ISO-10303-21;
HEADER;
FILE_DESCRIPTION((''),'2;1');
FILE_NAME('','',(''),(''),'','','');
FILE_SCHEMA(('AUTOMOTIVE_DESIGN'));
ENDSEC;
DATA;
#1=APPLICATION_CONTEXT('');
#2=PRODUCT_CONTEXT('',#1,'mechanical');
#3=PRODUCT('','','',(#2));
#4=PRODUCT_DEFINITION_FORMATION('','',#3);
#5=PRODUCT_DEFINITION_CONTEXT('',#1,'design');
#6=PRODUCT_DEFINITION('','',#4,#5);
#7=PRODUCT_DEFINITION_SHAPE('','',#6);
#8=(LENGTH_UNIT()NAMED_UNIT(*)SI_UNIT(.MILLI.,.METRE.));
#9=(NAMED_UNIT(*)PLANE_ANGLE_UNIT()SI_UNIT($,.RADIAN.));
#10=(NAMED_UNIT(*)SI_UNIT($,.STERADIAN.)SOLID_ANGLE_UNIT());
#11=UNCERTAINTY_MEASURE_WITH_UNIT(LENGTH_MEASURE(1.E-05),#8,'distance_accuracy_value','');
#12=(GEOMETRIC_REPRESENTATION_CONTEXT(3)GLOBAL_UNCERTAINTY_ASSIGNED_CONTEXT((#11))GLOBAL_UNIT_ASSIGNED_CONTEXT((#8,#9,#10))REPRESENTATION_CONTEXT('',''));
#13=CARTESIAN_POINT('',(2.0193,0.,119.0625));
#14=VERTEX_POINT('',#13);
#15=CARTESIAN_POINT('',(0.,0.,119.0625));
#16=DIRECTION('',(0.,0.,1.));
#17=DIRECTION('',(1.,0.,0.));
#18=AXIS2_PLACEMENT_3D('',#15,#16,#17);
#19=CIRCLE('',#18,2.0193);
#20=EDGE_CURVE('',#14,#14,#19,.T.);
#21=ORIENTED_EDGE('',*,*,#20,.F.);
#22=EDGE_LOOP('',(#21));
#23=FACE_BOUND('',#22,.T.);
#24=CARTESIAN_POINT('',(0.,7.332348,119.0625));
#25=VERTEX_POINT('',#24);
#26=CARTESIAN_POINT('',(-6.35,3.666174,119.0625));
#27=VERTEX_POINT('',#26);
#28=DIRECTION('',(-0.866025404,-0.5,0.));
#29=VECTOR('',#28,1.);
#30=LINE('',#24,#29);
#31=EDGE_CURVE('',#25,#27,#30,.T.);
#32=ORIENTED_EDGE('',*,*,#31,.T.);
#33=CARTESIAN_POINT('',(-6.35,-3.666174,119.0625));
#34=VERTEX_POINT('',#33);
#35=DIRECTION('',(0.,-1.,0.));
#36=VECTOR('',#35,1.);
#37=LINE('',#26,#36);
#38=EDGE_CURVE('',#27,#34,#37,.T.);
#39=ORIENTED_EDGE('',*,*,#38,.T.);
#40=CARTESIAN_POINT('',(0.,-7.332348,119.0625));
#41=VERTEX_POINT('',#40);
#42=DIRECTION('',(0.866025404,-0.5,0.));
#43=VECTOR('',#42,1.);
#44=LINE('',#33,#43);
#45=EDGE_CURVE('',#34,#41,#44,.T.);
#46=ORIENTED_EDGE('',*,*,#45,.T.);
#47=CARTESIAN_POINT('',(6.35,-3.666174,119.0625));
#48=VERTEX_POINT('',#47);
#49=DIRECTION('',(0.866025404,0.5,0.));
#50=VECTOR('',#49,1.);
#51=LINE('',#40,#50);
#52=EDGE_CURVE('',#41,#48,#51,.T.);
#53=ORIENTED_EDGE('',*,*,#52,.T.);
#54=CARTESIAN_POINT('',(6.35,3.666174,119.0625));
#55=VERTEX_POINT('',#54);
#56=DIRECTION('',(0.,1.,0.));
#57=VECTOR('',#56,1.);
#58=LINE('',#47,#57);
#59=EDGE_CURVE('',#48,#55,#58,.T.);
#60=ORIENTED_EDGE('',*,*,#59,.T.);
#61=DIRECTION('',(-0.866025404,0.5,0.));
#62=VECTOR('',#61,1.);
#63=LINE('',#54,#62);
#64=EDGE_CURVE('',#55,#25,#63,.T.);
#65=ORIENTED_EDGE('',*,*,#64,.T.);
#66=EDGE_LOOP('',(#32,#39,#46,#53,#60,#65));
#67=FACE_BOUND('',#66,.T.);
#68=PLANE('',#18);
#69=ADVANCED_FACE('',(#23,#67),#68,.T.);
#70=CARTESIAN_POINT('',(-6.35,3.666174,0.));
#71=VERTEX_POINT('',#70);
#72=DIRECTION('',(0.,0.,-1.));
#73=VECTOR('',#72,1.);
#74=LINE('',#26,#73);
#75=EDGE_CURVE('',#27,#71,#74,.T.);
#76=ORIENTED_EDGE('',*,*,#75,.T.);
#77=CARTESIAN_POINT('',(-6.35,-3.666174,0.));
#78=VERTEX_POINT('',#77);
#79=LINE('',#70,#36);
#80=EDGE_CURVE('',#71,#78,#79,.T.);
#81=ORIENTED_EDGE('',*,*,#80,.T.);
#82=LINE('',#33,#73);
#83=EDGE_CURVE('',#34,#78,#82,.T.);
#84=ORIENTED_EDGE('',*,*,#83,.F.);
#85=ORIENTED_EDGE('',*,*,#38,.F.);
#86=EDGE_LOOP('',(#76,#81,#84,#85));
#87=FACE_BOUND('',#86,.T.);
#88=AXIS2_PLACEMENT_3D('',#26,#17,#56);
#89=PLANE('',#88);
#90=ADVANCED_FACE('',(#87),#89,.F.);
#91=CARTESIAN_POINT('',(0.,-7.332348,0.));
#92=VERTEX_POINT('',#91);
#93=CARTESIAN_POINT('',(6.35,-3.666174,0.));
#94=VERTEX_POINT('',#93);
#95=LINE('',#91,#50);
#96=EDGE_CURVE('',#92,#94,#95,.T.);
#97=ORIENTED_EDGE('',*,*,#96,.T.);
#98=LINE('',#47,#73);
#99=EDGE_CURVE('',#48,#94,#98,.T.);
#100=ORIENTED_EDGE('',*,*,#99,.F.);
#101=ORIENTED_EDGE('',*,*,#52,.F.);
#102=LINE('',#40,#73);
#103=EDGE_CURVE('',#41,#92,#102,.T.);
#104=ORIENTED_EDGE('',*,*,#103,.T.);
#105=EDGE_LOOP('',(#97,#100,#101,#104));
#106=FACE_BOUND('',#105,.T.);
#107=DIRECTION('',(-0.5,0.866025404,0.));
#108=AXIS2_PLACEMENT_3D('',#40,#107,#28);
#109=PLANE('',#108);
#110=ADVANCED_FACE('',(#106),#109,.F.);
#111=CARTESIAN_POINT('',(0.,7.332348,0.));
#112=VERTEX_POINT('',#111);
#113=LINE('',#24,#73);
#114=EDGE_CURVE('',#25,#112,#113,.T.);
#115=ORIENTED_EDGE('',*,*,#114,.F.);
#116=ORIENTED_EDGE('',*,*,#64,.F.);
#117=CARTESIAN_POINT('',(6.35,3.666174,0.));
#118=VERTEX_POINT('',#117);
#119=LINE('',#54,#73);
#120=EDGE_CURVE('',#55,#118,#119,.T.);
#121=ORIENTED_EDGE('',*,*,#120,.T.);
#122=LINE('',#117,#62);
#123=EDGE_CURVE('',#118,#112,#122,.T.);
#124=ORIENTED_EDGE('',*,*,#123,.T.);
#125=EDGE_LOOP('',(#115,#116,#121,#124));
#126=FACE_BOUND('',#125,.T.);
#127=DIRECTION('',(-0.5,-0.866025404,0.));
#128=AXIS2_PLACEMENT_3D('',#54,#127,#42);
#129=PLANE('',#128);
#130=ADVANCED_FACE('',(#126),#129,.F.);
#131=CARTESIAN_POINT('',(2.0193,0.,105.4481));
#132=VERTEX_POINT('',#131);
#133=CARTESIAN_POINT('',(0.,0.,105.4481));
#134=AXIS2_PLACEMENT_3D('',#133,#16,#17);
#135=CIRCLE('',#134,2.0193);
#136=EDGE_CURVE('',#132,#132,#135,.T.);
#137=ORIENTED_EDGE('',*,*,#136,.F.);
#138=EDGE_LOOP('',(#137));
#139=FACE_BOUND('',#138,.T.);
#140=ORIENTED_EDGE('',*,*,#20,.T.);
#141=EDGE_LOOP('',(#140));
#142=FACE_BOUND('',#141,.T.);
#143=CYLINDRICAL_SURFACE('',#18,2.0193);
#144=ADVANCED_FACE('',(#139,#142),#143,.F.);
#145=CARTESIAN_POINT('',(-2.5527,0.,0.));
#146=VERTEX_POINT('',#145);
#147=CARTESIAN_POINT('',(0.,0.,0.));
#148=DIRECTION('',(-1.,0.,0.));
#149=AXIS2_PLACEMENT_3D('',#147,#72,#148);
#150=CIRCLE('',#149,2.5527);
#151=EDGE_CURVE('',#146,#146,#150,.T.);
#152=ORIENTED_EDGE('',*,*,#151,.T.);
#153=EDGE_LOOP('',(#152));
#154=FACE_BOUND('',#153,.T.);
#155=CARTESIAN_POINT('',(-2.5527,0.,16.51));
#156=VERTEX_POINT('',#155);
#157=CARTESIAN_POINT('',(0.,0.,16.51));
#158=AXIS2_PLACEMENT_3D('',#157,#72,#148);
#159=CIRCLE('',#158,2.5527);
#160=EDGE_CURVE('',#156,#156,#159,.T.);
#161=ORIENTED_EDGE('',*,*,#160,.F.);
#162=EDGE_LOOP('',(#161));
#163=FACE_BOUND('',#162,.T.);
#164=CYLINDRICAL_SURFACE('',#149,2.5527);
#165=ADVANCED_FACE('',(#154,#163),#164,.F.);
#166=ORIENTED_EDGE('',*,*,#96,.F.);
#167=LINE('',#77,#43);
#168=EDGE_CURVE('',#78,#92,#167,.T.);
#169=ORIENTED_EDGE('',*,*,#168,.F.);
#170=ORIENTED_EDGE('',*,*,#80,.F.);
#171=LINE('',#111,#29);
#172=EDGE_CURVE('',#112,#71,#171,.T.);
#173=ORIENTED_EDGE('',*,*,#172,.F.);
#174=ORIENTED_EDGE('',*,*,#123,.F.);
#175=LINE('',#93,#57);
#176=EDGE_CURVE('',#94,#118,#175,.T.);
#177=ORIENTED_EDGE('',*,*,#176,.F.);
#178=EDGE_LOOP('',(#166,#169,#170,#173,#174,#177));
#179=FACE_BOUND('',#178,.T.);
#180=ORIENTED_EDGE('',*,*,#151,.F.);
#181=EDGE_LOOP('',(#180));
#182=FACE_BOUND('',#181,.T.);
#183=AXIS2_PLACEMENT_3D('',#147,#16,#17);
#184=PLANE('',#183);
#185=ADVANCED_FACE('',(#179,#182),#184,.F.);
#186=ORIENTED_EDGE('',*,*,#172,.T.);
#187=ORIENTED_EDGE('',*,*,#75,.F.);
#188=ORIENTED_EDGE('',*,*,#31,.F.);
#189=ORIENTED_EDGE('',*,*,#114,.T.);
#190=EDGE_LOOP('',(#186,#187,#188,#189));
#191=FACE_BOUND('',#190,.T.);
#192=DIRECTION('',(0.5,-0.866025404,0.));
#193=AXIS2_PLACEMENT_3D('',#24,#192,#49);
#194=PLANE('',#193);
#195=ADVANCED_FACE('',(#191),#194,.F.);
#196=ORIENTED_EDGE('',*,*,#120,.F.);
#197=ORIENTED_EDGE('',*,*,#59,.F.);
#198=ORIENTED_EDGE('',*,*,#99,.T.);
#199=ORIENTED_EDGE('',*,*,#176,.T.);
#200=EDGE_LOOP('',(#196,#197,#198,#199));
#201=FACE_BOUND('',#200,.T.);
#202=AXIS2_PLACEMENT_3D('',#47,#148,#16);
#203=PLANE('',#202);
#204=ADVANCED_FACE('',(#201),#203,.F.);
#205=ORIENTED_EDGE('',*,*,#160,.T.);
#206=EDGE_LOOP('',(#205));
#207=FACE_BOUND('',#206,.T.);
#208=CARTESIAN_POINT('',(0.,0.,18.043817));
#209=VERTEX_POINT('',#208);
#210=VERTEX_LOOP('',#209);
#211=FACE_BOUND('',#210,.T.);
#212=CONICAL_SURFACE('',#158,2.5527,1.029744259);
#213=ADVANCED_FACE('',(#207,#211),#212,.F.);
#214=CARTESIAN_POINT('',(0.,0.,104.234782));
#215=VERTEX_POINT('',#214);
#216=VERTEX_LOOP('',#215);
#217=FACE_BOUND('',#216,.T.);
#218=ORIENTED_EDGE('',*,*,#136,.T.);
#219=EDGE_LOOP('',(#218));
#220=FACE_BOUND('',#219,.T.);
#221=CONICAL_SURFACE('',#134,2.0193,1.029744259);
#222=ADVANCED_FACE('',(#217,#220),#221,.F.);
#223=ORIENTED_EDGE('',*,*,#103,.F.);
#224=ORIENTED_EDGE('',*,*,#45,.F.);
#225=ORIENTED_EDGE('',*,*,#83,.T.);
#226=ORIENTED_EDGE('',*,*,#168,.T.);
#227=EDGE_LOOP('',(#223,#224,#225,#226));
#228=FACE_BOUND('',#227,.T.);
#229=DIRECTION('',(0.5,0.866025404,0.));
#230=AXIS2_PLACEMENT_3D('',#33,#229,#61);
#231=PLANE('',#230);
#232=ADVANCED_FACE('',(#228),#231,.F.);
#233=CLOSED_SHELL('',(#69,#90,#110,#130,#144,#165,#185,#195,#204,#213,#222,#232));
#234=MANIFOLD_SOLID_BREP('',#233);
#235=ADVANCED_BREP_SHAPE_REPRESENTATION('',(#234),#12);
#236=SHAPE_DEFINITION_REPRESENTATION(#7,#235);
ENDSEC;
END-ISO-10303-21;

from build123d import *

# Parameters (mm, degrees)
BOSS_EXTRUDE1_DEPTH         = 119.0625
F_1_4_20_TAPPED_HOLE2_D     = 5.1054
F_1_4_20_TAPPED_HOLE2_DEPTH = 16.51
F_1_4_20_TAPPED_HOLE2_TIP   = 1.533816902
F_10_32_TAPPED_HOLE1_D      = 4.0386
F_10_32_TAPPED_HOLE1_DEPTH  = 13.6144
F_10_32_TAPPED_HOLE1_TIP    = 1.213317848


with BuildPart() as part:
    # Sketch1 → Boss-Extrude1 (new body)
    with BuildSketch(Plane.XY):
        Polygon((0, 7.332348419), (-6.35, 3.666174209), (-6.35, -3.666174209), (0, -7.332348419), (6.35, -3.666174209), (6.35, 3.666174209), align=None)
    extrude(amount=BOSS_EXTRUDE1_DEPTH)

    # 1/4-20 Tapped Hole2
    with Locations(Plane(origin=(0, 0, 0), x_dir=(-1, 0, 0), z_dir=(0, 0, -1))):
        with Locations((0, 0)):
            Hole(F_1_4_20_TAPPED_HOLE2_D / 2, depth=F_1_4_20_TAPPED_HOLE2_DEPTH)
            with Locations((0, 0, -(F_1_4_20_TAPPED_HOLE2_DEPTH + F_1_4_20_TAPPED_HOLE2_TIP / 2))):  # 118° drill point
                Cone(0, F_1_4_20_TAPPED_HOLE2_D / 2, F_1_4_20_TAPPED_HOLE2_TIP, mode=Mode.SUBTRACT)

    # #10-32 Tapped Hole1
    with Locations(Plane.XY.offset(119.0625)):
        with Locations((0, 0)):
            Hole(F_10_32_TAPPED_HOLE1_D / 2, depth=F_10_32_TAPPED_HOLE1_DEPTH)
            with Locations((0, 0, -(F_10_32_TAPPED_HOLE1_DEPTH + F_10_32_TAPPED_HOLE1_TIP / 2))):  # 118° drill point
                Cone(0, F_10_32_TAPPED_HOLE1_D / 2, F_10_32_TAPPED_HOLE1_TIP, mode=Mode.SUBTRACT)


solid = part.part
